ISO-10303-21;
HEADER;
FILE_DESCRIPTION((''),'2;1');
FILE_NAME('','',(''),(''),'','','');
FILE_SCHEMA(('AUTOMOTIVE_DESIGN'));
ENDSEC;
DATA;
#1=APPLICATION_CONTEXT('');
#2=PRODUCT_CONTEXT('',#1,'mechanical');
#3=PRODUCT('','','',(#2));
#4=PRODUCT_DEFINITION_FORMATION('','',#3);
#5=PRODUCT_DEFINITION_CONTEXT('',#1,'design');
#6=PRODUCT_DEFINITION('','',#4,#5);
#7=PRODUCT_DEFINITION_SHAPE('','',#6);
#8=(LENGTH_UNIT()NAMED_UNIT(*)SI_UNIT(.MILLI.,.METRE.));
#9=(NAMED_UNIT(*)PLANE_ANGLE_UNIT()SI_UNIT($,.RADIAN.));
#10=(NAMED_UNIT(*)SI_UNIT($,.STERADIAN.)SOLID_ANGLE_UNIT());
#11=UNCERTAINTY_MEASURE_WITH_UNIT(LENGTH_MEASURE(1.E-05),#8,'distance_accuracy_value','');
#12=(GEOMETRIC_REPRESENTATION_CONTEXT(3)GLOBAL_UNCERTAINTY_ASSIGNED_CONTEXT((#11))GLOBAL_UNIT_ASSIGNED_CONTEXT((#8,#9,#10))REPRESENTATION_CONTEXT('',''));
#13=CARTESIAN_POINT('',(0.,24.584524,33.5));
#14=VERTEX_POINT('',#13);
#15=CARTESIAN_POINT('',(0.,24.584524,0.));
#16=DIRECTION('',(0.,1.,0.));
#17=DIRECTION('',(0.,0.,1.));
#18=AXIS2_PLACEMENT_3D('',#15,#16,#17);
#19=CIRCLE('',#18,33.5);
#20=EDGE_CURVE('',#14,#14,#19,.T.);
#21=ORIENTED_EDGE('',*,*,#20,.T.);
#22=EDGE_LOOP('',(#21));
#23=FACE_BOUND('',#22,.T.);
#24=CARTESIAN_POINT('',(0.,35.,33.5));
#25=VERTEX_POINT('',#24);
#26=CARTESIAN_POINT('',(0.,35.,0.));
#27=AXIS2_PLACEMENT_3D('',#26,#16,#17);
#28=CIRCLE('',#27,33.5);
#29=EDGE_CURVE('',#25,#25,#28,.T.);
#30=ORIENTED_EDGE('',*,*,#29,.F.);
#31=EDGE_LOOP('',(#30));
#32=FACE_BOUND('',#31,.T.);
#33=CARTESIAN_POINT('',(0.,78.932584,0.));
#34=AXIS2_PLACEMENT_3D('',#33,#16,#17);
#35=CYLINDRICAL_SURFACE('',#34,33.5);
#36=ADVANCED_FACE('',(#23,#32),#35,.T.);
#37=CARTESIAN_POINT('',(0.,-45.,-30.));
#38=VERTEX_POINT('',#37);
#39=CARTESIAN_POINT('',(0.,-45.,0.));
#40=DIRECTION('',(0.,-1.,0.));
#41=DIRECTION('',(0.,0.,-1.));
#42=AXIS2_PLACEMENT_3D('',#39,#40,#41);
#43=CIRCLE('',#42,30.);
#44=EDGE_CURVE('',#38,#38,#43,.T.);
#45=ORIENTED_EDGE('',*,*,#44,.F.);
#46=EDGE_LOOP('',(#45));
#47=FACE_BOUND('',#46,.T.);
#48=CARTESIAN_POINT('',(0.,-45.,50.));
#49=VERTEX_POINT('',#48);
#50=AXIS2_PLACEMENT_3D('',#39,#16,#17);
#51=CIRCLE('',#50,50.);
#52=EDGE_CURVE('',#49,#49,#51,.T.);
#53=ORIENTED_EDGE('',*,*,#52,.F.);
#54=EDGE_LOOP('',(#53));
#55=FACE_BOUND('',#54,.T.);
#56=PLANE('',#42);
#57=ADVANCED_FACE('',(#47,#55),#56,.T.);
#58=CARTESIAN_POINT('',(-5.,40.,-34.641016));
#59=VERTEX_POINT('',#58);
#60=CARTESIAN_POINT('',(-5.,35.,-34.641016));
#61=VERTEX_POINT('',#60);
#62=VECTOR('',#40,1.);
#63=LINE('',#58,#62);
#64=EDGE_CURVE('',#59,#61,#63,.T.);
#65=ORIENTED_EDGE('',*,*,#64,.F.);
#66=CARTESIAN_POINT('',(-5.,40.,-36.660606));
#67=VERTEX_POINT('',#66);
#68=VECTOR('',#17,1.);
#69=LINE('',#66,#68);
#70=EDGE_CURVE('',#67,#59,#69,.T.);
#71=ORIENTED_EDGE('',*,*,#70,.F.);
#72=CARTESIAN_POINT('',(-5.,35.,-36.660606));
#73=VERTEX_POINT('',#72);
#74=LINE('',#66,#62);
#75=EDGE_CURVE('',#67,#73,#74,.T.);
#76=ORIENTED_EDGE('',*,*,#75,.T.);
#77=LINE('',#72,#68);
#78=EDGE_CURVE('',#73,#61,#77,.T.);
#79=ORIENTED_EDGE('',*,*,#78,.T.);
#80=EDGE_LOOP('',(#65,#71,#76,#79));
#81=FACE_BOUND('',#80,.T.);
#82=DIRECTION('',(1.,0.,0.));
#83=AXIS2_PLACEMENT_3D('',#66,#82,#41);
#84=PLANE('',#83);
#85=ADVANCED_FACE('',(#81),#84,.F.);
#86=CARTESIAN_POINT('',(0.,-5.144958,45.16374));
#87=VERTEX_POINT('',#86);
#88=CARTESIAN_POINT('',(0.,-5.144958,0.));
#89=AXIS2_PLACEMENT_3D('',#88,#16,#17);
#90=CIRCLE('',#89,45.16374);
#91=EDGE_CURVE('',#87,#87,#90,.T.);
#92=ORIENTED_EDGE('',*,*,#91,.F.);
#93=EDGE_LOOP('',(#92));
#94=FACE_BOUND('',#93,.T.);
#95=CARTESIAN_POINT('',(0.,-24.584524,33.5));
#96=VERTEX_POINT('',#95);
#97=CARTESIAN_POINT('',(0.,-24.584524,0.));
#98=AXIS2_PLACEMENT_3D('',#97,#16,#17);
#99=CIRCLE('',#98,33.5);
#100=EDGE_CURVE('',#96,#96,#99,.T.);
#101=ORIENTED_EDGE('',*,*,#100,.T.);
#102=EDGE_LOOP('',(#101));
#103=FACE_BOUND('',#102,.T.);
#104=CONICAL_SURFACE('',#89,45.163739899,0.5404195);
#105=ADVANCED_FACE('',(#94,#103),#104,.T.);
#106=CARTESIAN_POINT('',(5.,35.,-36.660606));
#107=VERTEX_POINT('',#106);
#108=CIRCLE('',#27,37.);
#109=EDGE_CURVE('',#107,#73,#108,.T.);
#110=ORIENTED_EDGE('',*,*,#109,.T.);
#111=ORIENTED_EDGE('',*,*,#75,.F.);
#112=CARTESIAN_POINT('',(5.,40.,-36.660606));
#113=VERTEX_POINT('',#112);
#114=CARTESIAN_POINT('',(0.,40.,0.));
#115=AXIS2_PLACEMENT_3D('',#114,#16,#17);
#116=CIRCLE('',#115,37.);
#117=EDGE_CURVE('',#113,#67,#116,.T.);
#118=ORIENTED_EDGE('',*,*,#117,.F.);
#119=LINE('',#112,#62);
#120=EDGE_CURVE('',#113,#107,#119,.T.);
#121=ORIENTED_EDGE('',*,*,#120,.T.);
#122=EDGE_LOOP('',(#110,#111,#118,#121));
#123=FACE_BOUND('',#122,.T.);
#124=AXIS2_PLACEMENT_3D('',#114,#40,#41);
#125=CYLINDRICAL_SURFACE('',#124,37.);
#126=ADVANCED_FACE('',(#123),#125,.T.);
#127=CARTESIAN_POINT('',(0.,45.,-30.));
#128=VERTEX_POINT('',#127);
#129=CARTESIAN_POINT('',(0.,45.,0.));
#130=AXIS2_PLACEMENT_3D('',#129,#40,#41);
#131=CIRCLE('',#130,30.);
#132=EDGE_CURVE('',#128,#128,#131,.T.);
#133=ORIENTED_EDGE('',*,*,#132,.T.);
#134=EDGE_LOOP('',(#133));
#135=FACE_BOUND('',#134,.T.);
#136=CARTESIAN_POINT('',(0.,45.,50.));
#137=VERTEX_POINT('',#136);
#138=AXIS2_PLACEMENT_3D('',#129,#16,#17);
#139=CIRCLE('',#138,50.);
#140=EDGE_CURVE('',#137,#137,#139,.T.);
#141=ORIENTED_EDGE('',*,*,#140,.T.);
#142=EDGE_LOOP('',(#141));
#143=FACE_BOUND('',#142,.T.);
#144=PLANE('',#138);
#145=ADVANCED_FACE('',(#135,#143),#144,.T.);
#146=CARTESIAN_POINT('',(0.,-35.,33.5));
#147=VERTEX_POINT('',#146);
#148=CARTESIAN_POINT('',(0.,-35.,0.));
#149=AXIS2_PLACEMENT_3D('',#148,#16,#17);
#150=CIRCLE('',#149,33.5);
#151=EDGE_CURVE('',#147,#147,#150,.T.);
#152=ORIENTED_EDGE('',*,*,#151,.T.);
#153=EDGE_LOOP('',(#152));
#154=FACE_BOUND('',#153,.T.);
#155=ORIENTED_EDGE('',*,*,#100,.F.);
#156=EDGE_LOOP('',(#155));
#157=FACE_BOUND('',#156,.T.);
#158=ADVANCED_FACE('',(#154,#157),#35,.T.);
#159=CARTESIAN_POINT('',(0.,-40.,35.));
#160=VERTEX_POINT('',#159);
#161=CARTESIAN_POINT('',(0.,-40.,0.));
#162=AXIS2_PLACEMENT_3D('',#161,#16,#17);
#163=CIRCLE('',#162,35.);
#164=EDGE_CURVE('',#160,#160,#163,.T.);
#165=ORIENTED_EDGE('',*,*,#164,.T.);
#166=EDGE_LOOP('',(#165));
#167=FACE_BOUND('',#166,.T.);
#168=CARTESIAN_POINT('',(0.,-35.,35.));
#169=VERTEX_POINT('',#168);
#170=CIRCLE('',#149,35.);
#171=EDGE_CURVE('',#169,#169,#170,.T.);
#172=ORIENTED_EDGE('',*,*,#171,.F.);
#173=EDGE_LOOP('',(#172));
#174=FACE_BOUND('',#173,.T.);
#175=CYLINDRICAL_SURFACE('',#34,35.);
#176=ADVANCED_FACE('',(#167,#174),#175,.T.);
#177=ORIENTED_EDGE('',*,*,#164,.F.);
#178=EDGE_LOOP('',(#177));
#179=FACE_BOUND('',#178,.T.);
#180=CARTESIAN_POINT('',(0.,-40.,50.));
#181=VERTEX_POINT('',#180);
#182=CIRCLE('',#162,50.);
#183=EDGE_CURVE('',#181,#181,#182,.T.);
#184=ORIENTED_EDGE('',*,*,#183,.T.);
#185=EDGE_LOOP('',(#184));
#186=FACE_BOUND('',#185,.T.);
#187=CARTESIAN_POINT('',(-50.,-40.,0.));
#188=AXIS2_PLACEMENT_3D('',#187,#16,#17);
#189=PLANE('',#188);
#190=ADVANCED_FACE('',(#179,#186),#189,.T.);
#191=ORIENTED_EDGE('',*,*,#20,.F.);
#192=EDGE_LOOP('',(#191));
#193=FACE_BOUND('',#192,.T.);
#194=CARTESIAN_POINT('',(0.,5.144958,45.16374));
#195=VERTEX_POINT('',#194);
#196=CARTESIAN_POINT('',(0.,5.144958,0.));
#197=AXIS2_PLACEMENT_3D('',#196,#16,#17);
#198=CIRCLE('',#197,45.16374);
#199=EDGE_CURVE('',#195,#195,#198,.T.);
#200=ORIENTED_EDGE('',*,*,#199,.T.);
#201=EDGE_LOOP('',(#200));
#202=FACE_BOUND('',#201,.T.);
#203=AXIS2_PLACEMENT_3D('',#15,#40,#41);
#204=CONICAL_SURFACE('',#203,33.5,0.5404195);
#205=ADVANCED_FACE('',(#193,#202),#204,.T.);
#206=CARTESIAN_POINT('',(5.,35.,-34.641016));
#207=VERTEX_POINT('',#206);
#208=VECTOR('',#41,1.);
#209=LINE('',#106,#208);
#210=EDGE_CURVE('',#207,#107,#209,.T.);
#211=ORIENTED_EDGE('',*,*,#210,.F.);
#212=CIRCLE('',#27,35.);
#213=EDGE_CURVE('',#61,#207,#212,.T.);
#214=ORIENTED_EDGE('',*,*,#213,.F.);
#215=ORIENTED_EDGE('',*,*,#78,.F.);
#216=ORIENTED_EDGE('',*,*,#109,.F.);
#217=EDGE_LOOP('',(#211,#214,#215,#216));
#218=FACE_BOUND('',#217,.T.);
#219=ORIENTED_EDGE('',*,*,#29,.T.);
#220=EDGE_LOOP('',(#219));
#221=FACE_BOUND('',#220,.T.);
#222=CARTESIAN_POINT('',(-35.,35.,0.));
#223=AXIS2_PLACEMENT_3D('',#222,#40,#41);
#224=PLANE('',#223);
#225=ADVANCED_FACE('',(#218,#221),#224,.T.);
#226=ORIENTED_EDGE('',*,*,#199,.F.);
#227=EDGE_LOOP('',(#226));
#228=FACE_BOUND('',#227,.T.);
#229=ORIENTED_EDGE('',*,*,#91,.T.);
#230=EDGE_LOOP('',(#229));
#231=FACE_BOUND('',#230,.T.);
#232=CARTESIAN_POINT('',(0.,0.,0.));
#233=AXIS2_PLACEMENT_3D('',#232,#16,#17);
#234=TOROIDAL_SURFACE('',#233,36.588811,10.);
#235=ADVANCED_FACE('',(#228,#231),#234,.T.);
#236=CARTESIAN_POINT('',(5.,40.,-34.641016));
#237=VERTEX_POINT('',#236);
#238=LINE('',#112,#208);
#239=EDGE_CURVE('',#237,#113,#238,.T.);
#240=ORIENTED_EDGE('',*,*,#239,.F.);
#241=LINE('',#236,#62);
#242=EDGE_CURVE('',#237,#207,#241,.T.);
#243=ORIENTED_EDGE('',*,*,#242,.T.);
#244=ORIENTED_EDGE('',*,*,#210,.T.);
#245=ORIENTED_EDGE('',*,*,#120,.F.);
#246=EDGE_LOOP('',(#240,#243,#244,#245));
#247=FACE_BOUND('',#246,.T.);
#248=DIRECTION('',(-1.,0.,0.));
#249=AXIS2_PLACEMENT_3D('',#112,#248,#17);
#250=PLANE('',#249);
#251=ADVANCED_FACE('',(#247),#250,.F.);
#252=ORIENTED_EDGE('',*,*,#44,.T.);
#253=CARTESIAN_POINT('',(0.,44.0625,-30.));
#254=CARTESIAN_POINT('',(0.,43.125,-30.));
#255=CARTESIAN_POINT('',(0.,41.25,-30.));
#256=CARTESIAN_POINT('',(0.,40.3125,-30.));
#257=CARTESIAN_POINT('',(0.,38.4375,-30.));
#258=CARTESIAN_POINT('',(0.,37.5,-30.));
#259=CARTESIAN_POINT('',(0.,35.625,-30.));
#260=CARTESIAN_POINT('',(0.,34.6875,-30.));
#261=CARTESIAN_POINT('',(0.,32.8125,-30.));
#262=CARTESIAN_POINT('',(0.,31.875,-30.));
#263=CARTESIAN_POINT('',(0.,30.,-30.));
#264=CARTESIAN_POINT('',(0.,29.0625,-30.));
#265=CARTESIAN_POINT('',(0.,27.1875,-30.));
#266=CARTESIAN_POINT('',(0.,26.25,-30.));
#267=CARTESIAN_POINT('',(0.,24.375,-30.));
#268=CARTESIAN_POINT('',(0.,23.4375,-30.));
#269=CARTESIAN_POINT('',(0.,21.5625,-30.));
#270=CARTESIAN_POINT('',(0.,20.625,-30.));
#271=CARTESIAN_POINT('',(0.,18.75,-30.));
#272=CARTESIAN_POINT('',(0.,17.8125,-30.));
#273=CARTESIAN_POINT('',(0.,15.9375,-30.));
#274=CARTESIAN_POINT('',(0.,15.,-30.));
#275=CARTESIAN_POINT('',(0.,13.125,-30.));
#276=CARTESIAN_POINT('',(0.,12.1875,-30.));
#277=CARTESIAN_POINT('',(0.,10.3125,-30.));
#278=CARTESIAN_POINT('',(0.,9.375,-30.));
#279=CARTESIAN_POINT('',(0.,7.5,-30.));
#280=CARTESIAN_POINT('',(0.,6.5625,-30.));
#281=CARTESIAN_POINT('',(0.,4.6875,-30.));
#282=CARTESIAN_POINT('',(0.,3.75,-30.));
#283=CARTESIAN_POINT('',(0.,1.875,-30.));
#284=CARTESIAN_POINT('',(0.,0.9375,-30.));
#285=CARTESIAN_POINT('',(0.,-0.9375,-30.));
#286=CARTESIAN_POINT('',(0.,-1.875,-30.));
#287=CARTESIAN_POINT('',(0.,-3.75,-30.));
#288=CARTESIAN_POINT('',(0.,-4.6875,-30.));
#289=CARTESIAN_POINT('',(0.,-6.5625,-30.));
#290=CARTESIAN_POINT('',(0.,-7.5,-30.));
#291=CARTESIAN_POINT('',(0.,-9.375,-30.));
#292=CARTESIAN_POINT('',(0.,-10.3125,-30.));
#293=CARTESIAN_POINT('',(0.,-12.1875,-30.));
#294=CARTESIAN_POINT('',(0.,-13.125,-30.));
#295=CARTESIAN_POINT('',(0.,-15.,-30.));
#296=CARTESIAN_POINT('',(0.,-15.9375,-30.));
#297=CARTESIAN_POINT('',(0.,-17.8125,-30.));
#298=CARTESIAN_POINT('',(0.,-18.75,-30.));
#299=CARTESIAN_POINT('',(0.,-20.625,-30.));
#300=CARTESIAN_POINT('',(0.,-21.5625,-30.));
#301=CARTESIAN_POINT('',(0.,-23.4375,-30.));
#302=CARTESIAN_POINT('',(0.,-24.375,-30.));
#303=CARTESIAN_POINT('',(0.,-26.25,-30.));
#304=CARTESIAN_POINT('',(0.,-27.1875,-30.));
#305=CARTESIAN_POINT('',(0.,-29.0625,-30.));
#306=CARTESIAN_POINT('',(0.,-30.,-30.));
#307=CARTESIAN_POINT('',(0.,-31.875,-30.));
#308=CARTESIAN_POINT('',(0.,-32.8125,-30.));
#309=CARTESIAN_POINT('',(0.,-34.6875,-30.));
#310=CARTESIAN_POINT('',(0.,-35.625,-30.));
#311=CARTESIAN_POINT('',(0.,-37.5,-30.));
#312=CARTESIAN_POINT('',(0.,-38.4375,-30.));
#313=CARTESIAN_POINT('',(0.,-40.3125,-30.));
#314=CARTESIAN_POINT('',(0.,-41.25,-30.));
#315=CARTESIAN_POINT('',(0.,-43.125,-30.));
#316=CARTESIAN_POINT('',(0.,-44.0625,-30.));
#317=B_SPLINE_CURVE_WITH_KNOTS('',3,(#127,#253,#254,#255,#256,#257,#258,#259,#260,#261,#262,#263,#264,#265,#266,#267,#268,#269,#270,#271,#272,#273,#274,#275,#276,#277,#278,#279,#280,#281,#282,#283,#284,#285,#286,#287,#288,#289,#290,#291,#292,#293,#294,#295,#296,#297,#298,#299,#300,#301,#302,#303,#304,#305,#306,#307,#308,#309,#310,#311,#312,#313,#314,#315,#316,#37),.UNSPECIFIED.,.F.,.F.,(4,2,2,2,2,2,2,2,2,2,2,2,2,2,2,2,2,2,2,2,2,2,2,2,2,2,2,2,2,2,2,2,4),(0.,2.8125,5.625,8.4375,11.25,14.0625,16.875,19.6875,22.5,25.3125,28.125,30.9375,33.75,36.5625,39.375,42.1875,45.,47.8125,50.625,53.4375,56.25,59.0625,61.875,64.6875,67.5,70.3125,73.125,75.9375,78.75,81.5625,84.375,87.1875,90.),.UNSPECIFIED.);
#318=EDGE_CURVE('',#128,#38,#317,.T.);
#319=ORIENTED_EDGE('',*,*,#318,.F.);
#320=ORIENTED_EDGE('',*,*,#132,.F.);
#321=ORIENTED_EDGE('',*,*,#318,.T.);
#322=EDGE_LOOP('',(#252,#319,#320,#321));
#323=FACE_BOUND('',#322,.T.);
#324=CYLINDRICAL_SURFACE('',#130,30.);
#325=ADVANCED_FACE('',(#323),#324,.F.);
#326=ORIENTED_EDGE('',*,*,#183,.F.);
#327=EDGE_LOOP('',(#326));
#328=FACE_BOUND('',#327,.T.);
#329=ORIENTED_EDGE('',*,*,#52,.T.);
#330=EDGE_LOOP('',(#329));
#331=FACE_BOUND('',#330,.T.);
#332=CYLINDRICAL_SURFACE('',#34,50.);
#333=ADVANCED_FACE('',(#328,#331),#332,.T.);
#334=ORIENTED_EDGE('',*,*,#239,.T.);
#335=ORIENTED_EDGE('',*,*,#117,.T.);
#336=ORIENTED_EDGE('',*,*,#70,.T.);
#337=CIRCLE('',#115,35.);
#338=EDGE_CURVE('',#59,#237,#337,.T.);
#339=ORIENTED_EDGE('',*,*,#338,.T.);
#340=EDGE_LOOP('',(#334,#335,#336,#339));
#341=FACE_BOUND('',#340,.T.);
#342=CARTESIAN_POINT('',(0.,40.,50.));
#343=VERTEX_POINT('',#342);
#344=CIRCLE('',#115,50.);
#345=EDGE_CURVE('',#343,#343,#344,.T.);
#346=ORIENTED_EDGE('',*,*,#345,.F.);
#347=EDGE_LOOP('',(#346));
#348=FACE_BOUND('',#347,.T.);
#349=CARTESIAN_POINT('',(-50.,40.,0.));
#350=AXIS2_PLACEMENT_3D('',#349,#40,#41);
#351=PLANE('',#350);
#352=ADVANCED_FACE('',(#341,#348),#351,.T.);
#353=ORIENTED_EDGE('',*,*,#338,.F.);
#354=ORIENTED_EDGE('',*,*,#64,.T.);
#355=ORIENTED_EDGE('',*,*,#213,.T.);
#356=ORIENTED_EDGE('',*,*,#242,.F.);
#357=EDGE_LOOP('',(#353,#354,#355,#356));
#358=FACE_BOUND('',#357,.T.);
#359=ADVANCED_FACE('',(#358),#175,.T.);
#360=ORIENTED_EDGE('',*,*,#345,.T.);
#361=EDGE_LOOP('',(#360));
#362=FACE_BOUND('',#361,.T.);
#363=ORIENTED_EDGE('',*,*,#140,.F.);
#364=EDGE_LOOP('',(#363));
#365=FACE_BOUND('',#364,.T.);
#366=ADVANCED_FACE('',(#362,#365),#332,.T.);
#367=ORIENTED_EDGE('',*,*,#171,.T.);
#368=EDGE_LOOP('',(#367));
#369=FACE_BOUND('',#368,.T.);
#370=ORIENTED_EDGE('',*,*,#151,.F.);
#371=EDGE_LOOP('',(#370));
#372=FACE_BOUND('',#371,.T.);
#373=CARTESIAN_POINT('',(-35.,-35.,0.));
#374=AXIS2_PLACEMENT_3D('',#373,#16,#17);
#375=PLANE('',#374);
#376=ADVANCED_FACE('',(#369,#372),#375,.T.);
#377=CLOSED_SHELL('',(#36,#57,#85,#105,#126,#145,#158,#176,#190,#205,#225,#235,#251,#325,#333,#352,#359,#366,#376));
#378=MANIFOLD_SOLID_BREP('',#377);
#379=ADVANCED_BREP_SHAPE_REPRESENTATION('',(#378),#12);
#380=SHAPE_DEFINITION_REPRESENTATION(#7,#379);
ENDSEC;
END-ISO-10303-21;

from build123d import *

# Parameters (mm, degrees)
BOSS_EXTRUDE1_DEPTH = 5
SKETCH4_R           = 30
CUT_EXTRUDE1_DEPTH  = 115.455231423


with BuildPart() as part:
    # Sketch1 → Revolve1 (revolve)
    with BuildSketch(Plane.XY, mode=Mode.PRIVATE) as revolve1_sk:
        with BuildLine():
            Line((0, 45), (-50, 45))
            Line((-50, 45), (-50, 40))
            Line((-50, 40), (-35, 40))
            Line((-35, 40), (-35, 35))
            Line((-35, 35), (-33.5, 35))
            Line((-33.5, 35), (-33.5, 24.584524053))
            Line((-33.5, 24.584524053), (-45.163739899, 5.144957554))
            ThreePointArc((-45.163739899, 5.144957554), (-46.588810642, 0), (-45.163739899, -5.144957554))
            Line((-45.163739899, -5.144957554), (-33.5, -24.584524053))
            Line((-33.5, -24.584524053), (-33.5, -35))
            Line((-33.5, -35), (-35, -35))
            Line((-35, -35), (-35, -40))
            Line((-35, -40), (-50, -40))
            Line((-50, -40), (-50, -45))
            Line((-50, -45), (0, -45))
            Line((0, -45), (0, 45))
        make_face()
    revolve(revolve1_sk.sketch.rotate(Axis((0, 78.93258427, 0), (0, -1, 0)), 270), axis=Axis((0, 78.93258427, 0), (0, -1, 0)))

    # Sketch2 → Boss-Extrude1 (add)
    with BuildSketch(Plane(origin=(0, 35, 0), x_dir=(1, 0, 0), z_dir=(0, 1, 0))):
        with BuildLine():
            Line((-5, 36.66060556), (-5, 34.641016151))
            ThreePointArc((-5, 34.641016151), (0, 35), (5, 34.641016151))
            Line((5, 34.641016151), (5, 36.66060556))
            ThreePointArc((5, 36.66060556), (0, 37), (-5, 36.66060556))
        make_face()
    extrude(amount=BOSS_EXTRUDE1_DEPTH)

    # Sketch4 → Cut-Extrude1 (cut, through all)
    with BuildSketch(Plane.XZ.offset(45)):
        with Locations(Location((0, 0, 0), (0, 0, 270))):
            Circle(SKETCH4_R)
    extrude(amount=-CUT_EXTRUDE1_DEPTH, mode=Mode.SUBTRACT)


solid = part.part
